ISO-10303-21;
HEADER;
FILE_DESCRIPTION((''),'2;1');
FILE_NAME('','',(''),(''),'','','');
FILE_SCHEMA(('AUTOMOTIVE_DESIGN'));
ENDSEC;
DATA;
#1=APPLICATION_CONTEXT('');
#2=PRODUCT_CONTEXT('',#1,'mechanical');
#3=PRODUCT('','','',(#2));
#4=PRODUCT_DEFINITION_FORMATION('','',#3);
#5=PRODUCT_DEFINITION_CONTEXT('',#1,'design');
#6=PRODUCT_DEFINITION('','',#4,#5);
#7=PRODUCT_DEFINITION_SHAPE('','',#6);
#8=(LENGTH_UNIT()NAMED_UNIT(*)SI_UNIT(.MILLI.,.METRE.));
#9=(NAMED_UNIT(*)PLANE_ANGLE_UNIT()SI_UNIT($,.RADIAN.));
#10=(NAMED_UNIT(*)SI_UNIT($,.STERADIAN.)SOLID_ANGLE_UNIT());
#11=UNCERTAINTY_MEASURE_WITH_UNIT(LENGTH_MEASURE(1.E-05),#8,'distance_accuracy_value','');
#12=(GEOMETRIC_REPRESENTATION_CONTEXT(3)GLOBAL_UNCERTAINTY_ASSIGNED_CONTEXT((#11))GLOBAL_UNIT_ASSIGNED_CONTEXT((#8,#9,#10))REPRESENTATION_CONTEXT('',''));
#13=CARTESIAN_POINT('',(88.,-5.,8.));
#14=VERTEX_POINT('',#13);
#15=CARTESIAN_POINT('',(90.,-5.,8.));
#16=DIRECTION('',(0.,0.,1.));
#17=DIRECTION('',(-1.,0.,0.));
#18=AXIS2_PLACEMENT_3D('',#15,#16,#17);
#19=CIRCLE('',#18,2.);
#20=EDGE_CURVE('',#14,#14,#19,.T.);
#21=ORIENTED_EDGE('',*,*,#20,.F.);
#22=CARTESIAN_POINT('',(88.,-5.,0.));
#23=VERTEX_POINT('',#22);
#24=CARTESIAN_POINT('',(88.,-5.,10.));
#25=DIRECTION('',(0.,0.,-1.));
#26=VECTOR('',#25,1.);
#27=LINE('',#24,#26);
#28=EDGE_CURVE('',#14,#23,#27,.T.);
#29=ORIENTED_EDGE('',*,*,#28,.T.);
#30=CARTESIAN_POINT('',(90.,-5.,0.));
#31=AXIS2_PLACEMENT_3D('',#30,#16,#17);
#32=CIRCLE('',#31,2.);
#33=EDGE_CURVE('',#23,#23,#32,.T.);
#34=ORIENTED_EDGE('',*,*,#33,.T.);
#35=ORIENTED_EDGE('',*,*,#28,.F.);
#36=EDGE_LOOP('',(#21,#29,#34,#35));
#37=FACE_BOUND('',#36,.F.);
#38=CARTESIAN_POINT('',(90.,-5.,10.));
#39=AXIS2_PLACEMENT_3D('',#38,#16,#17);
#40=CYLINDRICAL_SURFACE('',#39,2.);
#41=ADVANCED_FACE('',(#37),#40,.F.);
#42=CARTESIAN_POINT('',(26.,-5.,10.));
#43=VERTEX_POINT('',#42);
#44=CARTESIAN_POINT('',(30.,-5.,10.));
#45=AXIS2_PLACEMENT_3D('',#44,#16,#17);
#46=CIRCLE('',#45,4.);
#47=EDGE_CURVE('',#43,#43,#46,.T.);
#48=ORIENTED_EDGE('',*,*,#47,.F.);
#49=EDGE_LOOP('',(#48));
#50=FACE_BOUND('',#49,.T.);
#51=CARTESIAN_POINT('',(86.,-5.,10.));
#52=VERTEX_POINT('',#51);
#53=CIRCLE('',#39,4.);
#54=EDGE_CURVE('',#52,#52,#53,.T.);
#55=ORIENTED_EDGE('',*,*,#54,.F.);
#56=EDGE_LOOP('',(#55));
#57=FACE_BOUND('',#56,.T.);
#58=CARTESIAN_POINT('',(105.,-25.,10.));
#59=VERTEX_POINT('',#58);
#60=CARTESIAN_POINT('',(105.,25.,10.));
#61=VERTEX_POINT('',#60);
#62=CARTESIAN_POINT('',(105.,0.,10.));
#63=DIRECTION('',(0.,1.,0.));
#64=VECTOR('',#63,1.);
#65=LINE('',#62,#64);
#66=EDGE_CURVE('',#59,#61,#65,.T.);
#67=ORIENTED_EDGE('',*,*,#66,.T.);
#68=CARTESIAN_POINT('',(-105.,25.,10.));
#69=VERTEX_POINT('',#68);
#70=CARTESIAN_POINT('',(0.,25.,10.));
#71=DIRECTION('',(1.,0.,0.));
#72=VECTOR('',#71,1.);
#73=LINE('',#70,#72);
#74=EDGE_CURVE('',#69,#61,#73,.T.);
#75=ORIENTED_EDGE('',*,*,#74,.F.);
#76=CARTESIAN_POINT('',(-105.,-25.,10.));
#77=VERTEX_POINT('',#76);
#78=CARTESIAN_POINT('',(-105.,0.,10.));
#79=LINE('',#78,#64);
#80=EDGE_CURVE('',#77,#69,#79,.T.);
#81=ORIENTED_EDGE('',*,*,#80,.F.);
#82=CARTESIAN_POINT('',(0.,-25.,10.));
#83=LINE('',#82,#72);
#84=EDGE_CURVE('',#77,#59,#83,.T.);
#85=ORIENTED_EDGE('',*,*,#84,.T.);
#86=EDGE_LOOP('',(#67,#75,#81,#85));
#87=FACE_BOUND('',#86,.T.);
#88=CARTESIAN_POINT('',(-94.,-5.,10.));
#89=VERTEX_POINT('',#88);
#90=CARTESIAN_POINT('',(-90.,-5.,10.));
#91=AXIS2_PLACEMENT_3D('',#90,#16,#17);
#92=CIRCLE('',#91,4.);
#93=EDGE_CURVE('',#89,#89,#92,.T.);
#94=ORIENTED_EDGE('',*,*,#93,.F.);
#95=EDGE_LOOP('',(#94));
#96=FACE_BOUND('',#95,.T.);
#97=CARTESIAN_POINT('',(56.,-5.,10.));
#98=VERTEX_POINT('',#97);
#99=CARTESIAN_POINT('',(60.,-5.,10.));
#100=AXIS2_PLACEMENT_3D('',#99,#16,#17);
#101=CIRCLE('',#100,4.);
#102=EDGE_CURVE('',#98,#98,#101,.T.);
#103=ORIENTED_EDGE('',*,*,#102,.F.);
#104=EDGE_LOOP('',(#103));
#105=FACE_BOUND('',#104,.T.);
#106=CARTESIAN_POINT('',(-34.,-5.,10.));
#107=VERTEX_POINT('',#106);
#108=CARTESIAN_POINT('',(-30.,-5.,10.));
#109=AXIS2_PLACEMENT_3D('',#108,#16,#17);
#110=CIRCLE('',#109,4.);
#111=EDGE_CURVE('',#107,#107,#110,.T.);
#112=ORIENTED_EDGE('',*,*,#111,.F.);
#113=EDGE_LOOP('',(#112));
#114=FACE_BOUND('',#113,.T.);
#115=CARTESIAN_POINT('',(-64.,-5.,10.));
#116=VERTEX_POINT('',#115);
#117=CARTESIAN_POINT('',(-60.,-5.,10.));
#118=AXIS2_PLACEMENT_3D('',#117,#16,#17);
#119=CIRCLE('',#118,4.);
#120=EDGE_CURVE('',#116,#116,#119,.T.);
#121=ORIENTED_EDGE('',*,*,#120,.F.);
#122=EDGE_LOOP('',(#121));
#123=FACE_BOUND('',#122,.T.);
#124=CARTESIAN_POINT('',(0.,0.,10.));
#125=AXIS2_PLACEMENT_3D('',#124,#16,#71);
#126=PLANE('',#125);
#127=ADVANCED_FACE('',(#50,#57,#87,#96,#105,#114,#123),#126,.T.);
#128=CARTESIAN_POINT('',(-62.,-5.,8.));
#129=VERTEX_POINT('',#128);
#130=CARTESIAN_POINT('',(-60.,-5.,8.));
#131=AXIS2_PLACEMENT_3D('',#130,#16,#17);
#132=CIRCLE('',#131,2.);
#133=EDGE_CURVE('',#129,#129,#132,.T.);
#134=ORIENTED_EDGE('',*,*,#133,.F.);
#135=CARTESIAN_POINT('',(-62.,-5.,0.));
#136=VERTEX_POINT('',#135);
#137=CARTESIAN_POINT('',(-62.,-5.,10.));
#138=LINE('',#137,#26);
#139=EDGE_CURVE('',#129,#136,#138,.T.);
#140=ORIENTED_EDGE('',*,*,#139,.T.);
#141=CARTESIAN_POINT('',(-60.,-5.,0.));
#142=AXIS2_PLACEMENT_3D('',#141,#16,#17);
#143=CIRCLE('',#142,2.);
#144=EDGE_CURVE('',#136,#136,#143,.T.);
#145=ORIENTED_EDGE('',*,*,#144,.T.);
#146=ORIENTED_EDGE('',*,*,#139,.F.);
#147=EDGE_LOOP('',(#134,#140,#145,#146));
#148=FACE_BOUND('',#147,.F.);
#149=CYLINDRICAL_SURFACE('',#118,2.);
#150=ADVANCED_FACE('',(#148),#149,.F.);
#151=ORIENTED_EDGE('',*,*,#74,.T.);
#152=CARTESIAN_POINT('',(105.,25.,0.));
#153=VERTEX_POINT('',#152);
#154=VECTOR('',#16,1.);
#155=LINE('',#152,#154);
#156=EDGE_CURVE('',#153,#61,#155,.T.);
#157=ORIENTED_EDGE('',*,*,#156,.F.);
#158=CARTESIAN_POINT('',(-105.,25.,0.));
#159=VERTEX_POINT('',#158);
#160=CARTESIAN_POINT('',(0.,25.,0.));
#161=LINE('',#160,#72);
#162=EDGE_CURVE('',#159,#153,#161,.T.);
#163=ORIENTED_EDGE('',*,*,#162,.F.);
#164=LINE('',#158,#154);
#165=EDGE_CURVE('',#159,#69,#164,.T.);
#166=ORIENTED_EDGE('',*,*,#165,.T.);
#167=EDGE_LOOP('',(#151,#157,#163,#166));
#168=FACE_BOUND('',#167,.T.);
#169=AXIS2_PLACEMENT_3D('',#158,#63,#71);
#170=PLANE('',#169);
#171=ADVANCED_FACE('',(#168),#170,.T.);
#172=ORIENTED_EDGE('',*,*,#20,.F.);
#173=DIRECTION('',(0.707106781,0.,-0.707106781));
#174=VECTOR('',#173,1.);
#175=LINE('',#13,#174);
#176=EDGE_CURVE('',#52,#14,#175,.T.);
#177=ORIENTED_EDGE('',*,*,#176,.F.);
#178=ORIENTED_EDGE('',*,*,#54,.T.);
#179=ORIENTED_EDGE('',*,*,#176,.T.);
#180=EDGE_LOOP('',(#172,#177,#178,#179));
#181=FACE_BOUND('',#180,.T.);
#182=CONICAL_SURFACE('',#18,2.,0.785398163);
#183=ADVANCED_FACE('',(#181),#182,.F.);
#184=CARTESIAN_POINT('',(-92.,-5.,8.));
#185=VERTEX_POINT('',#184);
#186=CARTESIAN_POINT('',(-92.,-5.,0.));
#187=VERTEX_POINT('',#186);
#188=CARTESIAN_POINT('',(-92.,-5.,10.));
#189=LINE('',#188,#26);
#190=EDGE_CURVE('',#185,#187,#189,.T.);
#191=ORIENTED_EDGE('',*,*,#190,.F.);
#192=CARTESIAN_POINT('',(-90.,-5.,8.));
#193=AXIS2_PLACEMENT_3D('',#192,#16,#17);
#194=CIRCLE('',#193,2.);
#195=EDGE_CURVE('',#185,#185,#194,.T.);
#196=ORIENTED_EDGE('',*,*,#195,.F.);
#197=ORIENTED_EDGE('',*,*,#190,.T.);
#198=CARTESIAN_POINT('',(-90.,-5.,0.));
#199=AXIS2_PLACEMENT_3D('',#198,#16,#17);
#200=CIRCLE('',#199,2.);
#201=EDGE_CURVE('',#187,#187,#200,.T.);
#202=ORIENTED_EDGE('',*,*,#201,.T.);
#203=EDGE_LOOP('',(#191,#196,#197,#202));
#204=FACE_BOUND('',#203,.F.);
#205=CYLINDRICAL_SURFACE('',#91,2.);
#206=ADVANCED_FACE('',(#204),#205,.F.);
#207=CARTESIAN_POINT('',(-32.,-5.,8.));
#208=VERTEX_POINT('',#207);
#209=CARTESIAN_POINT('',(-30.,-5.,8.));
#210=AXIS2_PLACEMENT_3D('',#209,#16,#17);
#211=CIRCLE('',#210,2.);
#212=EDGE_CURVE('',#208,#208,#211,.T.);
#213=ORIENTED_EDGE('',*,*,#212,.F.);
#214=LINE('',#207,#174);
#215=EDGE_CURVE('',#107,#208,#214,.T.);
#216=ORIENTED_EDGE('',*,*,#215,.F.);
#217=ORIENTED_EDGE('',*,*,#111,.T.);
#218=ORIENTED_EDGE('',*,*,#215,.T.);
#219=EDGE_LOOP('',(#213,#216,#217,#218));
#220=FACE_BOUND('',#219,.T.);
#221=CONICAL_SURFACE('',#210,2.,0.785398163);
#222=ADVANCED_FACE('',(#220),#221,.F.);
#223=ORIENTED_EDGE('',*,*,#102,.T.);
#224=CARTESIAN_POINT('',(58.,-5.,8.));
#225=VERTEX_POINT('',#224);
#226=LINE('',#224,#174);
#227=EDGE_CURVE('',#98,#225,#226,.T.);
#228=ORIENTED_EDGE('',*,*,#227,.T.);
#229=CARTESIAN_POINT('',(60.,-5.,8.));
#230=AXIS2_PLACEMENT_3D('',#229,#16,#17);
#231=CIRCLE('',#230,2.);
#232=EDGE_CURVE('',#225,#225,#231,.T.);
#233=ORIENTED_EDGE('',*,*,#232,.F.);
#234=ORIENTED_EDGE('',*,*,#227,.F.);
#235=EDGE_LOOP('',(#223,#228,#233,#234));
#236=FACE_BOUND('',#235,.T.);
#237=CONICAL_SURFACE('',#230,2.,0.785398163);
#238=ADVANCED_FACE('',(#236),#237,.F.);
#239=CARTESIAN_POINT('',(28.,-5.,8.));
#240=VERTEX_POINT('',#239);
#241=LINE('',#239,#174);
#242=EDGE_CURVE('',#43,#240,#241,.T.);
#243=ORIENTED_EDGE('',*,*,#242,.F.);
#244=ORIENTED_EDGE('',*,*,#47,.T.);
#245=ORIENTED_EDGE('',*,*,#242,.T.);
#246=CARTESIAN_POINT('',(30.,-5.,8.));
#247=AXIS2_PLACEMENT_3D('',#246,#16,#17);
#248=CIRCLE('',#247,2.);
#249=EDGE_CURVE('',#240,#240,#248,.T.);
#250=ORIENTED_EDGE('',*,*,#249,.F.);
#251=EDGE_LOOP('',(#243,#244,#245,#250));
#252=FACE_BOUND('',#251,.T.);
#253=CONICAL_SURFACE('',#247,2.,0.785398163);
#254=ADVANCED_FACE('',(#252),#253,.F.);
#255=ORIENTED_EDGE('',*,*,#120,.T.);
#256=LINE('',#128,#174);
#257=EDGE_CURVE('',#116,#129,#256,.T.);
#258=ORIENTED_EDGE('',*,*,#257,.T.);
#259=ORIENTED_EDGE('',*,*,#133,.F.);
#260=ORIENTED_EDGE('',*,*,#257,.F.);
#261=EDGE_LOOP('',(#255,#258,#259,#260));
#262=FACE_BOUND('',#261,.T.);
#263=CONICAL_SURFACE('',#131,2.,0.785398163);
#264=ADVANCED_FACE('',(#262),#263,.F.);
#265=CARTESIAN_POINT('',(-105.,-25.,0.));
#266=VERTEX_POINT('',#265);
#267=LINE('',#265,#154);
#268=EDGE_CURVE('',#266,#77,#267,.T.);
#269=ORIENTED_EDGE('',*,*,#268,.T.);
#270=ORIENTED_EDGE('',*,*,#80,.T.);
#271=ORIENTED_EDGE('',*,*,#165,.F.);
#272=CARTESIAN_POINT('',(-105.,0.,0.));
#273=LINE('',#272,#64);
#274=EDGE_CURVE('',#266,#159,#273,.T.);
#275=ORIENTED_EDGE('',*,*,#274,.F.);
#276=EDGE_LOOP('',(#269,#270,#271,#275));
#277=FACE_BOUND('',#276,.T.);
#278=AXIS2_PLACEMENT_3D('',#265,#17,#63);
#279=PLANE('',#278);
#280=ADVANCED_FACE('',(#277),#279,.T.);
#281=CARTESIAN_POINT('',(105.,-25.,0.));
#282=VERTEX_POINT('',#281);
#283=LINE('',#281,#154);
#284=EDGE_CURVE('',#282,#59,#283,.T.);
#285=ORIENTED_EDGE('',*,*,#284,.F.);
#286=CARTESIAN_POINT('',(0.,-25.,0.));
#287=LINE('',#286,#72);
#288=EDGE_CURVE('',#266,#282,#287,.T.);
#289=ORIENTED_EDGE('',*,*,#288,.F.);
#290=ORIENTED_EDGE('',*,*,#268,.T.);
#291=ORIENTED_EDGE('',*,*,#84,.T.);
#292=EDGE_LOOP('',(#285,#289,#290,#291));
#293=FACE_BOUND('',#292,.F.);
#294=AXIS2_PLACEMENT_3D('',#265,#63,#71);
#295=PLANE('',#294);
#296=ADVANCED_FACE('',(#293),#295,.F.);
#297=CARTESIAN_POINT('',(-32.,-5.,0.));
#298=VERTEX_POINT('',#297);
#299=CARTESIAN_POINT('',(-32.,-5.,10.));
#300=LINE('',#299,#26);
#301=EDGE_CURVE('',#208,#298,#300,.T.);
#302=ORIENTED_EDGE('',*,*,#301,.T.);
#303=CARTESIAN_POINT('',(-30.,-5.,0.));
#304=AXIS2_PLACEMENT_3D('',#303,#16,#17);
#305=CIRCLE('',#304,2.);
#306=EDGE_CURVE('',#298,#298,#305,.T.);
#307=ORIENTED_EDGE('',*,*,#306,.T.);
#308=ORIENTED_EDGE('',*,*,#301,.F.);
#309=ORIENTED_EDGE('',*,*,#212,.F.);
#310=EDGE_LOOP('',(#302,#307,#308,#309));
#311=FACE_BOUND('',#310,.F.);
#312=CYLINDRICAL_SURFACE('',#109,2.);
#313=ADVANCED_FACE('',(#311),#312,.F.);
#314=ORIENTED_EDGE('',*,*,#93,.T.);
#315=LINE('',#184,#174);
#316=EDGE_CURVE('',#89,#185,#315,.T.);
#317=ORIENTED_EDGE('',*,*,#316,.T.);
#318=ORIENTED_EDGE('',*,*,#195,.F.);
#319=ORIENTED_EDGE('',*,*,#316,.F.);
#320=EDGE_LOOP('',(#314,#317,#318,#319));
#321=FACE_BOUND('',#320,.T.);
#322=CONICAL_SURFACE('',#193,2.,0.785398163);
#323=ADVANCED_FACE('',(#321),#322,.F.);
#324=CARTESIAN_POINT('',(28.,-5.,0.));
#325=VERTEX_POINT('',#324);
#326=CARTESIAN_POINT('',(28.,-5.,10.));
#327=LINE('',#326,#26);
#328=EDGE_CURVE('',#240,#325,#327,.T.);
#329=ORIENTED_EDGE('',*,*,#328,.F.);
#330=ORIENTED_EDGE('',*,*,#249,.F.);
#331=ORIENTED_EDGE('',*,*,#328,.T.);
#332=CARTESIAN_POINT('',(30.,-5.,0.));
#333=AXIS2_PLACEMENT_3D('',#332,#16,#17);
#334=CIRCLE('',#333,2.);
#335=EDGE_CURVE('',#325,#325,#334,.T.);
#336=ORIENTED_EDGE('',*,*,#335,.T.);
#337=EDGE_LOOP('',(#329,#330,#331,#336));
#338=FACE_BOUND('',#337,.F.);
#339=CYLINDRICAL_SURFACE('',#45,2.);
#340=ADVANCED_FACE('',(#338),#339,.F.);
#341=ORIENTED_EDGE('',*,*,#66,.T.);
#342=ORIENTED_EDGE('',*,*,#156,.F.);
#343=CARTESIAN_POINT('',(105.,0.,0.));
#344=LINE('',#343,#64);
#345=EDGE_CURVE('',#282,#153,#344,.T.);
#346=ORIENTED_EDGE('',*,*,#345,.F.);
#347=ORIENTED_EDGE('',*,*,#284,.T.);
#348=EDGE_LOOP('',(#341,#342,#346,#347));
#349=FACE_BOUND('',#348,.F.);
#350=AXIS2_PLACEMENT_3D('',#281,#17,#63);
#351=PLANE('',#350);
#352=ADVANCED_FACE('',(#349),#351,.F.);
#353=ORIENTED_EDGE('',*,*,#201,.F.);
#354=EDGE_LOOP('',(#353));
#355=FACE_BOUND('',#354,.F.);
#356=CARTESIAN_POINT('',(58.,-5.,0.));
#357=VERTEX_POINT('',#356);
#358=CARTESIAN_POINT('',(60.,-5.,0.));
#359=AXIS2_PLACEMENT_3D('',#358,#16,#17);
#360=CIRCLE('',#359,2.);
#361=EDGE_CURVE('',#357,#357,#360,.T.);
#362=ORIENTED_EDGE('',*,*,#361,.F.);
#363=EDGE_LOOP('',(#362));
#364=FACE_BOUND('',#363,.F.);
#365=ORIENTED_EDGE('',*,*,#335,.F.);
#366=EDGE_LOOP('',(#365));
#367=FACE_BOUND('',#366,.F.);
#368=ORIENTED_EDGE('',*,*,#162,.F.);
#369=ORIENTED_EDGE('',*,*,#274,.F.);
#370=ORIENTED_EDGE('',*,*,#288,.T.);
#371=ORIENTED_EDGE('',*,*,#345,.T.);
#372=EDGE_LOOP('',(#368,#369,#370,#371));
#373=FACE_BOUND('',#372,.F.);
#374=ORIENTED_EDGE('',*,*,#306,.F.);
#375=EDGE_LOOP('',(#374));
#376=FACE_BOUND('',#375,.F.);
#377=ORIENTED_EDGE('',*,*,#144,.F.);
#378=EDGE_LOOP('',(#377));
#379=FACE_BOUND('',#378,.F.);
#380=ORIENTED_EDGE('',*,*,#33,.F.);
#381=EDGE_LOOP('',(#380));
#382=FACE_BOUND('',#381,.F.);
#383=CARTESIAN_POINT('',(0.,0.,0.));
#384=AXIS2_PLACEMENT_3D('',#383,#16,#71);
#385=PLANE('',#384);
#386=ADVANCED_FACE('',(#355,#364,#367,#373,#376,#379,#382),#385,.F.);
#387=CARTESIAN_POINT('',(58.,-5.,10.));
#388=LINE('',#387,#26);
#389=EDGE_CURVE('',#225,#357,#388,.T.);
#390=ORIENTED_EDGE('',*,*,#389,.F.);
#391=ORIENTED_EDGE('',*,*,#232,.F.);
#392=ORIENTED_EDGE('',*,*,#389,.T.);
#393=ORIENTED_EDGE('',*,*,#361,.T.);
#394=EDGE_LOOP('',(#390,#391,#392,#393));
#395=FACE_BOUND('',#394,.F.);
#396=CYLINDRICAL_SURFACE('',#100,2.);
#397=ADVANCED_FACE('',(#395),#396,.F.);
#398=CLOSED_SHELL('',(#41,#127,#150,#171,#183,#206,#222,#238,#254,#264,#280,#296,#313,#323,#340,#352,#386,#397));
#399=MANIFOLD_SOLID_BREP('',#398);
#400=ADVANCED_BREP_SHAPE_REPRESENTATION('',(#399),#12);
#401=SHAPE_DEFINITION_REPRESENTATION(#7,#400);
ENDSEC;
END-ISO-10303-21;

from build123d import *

# Parameters (mm, degrees)
F0_W     = 210
F0_H     = 50
F1_DEPTH = 10
F3_DEPTH = 10.001
F4_SIZE  = 2


with BuildPart() as f1:
    # F0 (on Top) → F1 (new body)
    with BuildSketch(Plane.XY):
        Rectangle(F0_W, F0_H)
    extrude(amount=F1_DEPTH)

    # F2 (on face) → F3 (cut, through all)
    with BuildSketch(Plane.XY.offset(10)):
        with BuildLine():
            ThreePointArc((-88, -5), (-90, -3), (-92, -5))
            Line((-92, -5), (-88, -5))
        make_face()
        with BuildLine():
            Line((-88, -5), (-92, -5))
            ThreePointArc((-92, -5), (-90, -7), (-88, -5))
        make_face()
        with BuildLine():
            ThreePointArc((-58, -5), (-60, -3), (-62, -5))
            Line((-62, -5), (-58, -5))
        make_face()
        with BuildLine():
            Line((-58, -5), (-62, -5))
            ThreePointArc((-62, -5), (-60, -7), (-58, -5))
        make_face()
        with BuildLine():
            ThreePointArc((-28, -5), (-30, -3), (-32, -5))
            Line((-32, -5), (-28, -5))
        make_face()
        with BuildLine():
            Line((-28, -5), (-32, -5))
            ThreePointArc((-32, -5), (-30, -7), (-28, -5))
        make_face()
        with BuildLine():
            ThreePointArc((32, -5), (30, -3), (28, -5))
            Line((28, -5), (32, -5))
        make_face()
        with BuildLine():
            Line((32, -5), (28, -5))
            ThreePointArc((28, -5), (30, -7), (32, -5))
        make_face()
        with BuildLine():
            ThreePointArc((62, -5), (60, -3), (58, -5))
            Line((58, -5), (62, -5))
        make_face()
        with BuildLine():
            Line((62, -5), (58, -5))
            ThreePointArc((58, -5), (60, -7), (62, -5))
        make_face()
        with BuildLine():
            Line((88, -5), (92, -5))
            ThreePointArc((92, -5), (90, -3), (88, -5))
        make_face()
        with BuildLine():
            ThreePointArc((88, -5), (90, -7), (92, -5))
            Line((92, -5), (88, -5))
        make_face()
    extrude(amount=-F3_DEPTH, mode=Mode.SUBTRACT)

    # F4
    f4_edges = [f1.edges().sort_by_distance(p)[0] for p in [
        (-88, -5, 10),
        (-58, -5, 10),
        (-28, -5, 10),
        (32, -5, 10),
        (62, -5, 10),
        (92, -5, 10),
    ]]
    chamfer(f4_edges, length=F4_SIZE)


solid = f1.part
